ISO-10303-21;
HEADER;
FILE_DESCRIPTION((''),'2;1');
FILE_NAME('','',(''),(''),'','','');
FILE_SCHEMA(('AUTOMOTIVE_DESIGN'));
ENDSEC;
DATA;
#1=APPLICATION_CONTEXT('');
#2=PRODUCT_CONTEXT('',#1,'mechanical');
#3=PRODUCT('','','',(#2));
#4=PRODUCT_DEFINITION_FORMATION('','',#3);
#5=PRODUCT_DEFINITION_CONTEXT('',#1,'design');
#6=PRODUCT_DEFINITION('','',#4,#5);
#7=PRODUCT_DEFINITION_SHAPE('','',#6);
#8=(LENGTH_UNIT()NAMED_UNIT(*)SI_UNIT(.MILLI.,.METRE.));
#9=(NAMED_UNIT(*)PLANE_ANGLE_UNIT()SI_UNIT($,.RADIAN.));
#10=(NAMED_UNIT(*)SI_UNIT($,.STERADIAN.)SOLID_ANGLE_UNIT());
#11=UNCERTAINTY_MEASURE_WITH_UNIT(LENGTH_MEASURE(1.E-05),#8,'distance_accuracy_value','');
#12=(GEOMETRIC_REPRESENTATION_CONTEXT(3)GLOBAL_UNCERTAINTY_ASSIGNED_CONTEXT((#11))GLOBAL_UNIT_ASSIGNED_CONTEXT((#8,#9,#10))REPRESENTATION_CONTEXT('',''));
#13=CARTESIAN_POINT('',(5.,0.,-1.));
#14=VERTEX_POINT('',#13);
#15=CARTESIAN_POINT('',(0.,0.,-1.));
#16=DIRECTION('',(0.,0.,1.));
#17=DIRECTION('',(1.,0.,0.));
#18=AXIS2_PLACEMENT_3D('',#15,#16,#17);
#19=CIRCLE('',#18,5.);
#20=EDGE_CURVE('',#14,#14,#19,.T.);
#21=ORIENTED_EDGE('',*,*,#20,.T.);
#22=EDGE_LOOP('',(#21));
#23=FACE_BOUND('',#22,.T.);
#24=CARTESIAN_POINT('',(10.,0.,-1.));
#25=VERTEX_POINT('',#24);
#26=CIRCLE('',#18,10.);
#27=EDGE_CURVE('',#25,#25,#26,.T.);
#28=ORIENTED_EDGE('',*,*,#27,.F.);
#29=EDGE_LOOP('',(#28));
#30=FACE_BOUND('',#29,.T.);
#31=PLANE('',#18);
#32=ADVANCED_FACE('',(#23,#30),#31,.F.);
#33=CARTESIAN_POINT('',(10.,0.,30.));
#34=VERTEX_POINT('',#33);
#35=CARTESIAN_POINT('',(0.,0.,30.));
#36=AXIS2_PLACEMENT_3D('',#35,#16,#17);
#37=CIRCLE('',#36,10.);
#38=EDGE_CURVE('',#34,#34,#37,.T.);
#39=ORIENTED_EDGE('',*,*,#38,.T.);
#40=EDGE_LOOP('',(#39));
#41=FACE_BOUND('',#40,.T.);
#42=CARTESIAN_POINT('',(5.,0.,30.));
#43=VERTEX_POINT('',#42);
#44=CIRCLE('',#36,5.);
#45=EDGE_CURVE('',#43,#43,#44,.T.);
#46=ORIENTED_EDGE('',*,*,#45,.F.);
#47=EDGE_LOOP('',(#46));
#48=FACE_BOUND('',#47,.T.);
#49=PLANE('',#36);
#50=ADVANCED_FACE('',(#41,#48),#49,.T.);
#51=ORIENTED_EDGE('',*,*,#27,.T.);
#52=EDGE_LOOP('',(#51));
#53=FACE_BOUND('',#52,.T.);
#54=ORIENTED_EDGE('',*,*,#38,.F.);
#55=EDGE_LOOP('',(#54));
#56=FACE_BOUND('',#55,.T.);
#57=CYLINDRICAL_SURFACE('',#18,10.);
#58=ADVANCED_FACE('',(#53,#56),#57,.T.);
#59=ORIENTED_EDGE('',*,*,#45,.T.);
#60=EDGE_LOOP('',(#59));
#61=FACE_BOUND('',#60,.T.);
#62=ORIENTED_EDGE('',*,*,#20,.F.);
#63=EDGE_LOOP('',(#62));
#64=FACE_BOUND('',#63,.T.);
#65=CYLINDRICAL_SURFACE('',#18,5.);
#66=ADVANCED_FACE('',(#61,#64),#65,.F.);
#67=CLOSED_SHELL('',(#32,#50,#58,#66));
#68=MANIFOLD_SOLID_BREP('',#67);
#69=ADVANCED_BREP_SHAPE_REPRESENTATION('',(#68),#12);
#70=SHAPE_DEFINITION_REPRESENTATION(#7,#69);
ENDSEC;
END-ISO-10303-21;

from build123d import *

# Parameters (mm, degrees)
SALIENTE_EXTRUIR5_DEPTH      = 30
SALIENTE_EXTRUIR5_DEPTH_BACK = 1
CROQUIS2_R                   = 10
CROQUIS2_R_2                 = 5


with BuildPart() as part:
    # Croquis2 → Saliente-Extruir5 (new, two sides: drawn at the far end of the back side and taken through both)
    with BuildSketch(Plane.XY.offset(-SALIENTE_EXTRUIR5_DEPTH_BACK)):
        Circle(CROQUIS2_R)
        Circle(CROQUIS2_R_2, mode=Mode.SUBTRACT)
    extrude(amount=SALIENTE_EXTRUIR5_DEPTH + SALIENTE_EXTRUIR5_DEPTH_BACK)


solid = part.part
